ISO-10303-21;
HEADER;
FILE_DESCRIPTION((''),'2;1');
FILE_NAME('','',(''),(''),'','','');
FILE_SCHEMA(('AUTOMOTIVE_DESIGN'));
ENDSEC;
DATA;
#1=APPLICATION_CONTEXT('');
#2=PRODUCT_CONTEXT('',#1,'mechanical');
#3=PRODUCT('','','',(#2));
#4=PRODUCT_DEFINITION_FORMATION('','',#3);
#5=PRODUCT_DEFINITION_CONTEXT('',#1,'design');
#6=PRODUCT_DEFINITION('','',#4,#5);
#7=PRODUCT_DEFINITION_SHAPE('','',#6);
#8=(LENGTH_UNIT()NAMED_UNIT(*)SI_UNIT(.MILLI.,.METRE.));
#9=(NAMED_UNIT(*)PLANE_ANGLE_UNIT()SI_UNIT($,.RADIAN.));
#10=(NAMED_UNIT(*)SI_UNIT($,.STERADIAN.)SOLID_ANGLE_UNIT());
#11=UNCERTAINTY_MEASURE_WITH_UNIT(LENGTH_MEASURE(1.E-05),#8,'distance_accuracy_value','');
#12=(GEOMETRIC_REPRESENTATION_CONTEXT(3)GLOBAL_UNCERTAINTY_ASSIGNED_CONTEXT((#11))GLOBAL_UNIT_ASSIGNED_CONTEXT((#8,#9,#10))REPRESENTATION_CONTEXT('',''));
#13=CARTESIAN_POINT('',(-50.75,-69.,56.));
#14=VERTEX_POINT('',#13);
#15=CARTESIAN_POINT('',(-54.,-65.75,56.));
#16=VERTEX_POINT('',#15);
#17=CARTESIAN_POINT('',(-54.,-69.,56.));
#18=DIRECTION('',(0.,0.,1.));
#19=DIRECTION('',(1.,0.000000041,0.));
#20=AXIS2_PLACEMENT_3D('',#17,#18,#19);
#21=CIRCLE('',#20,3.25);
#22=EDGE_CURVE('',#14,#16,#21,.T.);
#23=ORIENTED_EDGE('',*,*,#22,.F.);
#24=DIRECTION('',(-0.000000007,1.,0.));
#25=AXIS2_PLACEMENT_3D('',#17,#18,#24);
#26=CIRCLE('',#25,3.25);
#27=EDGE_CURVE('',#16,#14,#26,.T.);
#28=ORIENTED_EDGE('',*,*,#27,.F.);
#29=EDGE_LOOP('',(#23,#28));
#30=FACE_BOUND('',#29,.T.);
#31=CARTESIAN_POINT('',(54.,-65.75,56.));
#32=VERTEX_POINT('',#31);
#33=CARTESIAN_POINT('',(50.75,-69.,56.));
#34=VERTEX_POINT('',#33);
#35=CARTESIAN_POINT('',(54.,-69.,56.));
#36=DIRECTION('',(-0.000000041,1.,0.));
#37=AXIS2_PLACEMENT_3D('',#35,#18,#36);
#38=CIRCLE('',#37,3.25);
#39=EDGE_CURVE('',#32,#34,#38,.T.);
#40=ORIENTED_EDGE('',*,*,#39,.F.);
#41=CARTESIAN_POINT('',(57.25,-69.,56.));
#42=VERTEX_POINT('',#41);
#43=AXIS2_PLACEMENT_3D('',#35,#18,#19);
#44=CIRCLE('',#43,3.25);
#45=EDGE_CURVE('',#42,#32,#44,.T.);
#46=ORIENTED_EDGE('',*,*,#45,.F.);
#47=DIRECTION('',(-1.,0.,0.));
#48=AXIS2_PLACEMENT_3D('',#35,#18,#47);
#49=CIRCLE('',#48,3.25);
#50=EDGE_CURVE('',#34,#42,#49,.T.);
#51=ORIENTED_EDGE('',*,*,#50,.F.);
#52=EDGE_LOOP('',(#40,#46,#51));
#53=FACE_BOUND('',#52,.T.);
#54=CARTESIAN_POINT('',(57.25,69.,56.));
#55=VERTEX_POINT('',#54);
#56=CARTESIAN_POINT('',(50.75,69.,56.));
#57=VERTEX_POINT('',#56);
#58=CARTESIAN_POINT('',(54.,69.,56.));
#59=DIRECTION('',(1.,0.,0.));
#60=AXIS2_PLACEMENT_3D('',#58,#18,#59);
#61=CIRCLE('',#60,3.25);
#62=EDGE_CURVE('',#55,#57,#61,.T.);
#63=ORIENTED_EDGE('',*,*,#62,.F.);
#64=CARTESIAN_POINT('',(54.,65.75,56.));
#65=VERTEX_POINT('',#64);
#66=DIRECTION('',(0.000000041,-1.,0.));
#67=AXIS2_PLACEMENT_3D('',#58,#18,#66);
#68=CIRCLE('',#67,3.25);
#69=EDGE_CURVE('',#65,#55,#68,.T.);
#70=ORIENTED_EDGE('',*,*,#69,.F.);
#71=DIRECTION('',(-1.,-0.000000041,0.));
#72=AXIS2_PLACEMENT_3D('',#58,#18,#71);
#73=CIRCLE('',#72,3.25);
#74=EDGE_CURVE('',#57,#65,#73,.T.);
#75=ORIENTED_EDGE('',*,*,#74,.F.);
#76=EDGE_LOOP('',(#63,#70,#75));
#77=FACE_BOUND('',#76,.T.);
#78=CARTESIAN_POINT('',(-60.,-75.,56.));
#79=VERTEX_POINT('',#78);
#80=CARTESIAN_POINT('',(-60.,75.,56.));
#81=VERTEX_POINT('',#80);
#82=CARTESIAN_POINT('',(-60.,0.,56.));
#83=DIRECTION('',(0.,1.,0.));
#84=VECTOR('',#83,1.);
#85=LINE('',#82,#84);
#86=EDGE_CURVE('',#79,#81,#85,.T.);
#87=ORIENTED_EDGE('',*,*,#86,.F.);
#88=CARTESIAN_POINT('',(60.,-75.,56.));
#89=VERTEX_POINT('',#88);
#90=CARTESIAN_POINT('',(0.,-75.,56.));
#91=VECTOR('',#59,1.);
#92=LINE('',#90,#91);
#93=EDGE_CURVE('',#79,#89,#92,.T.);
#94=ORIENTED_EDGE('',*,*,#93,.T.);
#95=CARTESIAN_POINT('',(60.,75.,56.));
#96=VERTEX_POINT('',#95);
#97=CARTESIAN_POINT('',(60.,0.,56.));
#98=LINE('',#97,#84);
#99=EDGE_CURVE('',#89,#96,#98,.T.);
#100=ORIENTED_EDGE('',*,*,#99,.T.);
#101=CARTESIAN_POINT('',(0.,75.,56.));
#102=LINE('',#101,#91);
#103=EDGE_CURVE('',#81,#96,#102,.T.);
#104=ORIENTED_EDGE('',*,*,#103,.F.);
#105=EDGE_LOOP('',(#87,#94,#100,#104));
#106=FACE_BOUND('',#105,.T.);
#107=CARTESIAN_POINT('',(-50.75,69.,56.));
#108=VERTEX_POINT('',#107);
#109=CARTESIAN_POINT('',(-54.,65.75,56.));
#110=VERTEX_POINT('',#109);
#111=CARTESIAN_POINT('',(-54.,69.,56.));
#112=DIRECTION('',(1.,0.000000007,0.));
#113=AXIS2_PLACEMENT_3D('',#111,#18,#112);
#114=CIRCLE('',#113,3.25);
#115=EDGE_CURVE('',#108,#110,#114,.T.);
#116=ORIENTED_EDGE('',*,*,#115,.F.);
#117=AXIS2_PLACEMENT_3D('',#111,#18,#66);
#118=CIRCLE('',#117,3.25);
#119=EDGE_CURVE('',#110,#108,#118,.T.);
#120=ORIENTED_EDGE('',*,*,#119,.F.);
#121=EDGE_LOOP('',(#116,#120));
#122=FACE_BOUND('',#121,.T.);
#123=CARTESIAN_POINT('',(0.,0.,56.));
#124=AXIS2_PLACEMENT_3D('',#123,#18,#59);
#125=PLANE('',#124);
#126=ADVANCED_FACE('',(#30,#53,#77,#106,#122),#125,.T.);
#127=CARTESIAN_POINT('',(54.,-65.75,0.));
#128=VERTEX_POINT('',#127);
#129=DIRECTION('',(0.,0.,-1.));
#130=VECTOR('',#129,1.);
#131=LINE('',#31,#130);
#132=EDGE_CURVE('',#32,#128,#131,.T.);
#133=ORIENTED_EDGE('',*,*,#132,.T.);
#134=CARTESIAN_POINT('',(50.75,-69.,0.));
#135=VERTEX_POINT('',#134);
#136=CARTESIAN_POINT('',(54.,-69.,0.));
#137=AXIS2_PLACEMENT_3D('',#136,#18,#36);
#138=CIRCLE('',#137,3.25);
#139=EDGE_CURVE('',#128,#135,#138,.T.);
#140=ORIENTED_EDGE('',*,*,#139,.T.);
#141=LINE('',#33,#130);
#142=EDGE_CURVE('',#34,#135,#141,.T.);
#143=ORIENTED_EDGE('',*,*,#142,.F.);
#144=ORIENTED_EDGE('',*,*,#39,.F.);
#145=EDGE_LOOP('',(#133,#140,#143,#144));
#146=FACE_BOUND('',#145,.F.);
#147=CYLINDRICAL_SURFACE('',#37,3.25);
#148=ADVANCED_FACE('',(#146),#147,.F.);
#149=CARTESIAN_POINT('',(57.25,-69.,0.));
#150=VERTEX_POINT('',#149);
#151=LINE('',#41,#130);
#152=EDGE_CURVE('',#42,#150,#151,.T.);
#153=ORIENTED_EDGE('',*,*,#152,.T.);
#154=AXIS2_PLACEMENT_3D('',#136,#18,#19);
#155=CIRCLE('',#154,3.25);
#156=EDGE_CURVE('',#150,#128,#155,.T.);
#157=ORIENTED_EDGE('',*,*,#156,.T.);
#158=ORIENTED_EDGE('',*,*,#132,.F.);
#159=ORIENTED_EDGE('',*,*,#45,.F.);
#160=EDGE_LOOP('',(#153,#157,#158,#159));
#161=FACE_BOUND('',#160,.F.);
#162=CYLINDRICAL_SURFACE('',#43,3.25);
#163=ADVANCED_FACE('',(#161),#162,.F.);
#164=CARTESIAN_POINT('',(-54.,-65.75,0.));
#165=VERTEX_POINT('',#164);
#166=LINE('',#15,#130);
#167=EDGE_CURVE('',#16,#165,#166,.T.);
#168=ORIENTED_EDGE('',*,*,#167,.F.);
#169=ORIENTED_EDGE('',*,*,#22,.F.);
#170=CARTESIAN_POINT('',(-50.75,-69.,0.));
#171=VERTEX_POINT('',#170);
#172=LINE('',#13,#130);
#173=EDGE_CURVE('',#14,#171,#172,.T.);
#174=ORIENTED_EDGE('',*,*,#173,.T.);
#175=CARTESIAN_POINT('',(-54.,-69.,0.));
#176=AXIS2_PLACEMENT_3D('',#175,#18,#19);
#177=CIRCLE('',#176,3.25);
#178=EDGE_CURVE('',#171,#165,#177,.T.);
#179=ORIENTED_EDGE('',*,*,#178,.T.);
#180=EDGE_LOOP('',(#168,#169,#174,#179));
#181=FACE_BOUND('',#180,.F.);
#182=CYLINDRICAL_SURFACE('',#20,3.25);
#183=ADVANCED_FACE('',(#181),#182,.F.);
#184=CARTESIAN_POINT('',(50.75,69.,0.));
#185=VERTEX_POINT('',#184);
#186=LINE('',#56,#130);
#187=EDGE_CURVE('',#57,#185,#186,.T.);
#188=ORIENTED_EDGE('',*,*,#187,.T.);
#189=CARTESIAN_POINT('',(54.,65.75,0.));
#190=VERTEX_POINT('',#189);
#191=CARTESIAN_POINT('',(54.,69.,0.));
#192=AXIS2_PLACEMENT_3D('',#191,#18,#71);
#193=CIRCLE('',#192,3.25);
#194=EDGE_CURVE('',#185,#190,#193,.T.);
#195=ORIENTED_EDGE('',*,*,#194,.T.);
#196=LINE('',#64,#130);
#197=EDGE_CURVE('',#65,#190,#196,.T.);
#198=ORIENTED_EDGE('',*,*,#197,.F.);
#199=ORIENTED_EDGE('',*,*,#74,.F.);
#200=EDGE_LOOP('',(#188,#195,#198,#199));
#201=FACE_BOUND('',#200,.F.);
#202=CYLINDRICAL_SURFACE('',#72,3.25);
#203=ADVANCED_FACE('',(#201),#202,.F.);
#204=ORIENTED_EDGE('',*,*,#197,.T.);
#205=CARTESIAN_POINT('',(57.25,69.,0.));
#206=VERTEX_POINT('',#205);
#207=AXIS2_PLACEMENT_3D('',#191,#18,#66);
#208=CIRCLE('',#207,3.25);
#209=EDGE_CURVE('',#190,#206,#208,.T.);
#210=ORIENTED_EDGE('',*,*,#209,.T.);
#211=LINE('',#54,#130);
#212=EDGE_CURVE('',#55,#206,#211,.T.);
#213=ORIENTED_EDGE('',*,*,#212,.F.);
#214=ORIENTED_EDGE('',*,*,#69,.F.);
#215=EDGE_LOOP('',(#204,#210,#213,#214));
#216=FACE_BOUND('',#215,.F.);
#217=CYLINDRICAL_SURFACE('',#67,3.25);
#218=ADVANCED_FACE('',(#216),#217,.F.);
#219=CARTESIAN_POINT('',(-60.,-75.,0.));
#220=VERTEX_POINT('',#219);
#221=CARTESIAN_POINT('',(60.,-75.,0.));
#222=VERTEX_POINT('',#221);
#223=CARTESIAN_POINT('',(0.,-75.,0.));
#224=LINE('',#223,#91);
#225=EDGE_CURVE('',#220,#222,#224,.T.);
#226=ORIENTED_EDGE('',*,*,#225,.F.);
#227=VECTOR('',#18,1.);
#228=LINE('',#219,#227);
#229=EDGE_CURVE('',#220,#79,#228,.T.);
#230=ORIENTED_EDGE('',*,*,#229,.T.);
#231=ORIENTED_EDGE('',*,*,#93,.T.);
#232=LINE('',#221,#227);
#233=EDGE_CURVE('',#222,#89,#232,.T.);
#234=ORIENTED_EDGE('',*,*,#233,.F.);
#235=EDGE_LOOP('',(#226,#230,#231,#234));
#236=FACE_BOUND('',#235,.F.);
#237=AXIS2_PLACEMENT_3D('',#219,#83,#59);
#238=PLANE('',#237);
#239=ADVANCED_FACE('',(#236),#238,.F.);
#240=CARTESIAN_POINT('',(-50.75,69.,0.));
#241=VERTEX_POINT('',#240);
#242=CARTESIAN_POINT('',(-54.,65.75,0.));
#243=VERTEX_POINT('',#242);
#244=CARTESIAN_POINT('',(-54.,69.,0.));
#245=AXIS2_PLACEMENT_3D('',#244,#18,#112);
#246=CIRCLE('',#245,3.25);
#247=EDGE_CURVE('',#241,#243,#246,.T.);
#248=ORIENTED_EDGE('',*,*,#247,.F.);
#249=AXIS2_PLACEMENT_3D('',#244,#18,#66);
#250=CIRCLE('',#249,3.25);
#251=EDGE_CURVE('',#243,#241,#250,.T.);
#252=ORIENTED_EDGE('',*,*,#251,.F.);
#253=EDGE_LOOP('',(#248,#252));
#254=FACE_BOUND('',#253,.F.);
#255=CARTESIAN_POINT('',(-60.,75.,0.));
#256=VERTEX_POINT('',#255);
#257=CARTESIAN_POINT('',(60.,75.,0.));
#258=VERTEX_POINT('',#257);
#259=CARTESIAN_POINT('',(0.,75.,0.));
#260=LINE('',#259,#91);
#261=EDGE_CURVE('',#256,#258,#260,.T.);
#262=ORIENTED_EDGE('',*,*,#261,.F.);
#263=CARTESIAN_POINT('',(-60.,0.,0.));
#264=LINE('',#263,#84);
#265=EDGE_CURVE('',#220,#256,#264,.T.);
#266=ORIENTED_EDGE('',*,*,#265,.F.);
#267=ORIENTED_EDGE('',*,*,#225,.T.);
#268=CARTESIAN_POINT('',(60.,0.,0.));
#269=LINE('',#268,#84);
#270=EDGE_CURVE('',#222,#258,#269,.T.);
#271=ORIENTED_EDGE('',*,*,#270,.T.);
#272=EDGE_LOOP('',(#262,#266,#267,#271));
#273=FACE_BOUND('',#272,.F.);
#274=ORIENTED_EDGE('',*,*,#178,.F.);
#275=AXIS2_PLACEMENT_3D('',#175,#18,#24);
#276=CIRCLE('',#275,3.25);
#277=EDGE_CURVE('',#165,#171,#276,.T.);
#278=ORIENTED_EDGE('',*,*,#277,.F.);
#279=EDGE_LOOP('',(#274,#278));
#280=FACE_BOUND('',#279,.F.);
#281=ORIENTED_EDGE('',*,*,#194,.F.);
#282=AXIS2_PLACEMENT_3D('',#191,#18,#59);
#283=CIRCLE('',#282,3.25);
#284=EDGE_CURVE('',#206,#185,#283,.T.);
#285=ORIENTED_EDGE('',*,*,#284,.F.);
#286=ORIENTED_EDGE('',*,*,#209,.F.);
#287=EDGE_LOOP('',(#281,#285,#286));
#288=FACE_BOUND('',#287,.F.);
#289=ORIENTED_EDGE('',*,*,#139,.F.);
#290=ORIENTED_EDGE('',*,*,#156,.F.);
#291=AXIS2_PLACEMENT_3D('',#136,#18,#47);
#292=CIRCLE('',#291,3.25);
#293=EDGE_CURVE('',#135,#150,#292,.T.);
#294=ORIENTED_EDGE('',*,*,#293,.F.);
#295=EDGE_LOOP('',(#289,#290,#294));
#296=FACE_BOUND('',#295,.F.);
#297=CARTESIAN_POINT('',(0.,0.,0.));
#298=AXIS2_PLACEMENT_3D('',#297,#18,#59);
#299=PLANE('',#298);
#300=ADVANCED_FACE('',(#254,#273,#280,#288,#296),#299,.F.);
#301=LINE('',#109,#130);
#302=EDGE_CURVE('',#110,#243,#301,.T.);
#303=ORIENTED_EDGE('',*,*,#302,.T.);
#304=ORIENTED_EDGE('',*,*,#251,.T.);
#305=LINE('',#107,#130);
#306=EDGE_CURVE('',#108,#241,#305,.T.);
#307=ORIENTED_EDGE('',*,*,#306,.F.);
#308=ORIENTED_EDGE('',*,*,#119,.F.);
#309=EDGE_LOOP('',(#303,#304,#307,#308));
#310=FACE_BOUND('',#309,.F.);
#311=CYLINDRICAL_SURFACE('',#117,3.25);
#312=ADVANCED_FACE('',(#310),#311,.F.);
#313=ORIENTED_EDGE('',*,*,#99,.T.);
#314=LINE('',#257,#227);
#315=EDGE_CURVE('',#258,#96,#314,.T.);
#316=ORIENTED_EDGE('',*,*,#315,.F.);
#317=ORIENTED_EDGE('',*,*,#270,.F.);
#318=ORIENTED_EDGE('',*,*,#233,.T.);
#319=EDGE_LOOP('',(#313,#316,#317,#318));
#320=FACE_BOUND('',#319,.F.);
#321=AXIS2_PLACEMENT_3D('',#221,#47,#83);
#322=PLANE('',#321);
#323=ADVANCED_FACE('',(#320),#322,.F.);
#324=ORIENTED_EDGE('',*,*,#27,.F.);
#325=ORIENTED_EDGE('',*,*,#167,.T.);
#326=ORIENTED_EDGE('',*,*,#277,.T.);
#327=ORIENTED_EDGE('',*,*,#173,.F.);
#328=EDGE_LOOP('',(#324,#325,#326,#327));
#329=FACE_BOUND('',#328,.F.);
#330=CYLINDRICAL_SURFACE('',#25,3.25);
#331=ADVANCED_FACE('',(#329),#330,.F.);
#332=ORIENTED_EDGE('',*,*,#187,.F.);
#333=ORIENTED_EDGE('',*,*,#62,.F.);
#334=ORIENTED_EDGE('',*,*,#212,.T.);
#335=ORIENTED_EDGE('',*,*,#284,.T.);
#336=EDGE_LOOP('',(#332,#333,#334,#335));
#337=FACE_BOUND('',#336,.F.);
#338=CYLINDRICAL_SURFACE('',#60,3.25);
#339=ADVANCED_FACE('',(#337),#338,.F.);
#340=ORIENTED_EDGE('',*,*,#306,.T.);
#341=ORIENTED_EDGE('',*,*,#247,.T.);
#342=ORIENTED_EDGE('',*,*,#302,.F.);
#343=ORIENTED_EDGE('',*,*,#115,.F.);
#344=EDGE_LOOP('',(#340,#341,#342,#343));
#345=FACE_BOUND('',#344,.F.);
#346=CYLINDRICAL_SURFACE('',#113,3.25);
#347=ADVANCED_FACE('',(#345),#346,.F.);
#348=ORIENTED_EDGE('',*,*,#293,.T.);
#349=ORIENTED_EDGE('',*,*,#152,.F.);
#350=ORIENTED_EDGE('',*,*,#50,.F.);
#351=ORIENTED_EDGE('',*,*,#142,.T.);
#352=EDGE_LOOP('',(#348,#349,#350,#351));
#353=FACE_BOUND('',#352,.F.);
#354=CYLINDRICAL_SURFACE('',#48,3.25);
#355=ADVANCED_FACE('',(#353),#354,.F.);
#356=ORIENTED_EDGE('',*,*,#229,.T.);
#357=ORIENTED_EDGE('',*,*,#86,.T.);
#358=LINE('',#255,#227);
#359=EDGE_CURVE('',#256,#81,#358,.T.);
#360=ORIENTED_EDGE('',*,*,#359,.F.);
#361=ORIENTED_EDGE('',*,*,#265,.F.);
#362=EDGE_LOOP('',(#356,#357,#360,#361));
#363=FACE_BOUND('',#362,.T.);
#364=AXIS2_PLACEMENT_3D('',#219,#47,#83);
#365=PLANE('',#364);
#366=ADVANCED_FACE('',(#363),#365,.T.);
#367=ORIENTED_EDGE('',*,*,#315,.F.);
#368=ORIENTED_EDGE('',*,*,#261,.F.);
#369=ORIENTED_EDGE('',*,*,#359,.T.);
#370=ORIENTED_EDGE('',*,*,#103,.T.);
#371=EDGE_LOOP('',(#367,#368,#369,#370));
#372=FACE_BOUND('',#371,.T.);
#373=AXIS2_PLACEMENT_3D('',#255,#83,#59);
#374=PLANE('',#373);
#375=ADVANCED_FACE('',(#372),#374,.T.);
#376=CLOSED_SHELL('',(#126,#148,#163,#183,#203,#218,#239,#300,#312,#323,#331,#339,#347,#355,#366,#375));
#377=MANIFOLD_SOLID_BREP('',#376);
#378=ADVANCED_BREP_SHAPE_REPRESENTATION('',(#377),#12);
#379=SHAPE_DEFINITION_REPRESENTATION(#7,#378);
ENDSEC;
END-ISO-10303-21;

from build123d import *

# Parameters (mm, degrees)
F0_W     = 120
F0_H     = 150
F1_DEPTH = 56
F3_DEPTH = 67.5


with BuildPart() as f1:
    # F0 (on Top) → F1 (new body)
    with BuildSketch(Plane.XY):
        Rectangle(F0_W, F0_H)
    extrude(amount=F1_DEPTH)

    # F2 (on face) → F3 (cut)
    with BuildSketch(Plane.XY.offset(56)):
        with BuildLine():
            Line((-54, 65.75), (-54, 69))
            Line((-54, 69), (-50.75, 69))
            ThreePointArc((-50.75, 69), (-56.298097, 71.298097), (-54, 65.75))
        make_face()
        with BuildLine():
            Line((-50.75, 69), (-54, 69))
            Line((-54, 69), (-54, 65.75))
            ThreePointArc((-54, 65.75), (-51.701903, 66.701903), (-50.75, 69))
        make_face()
        with BuildLine():
            ThreePointArc((57.25, 69), (54, 72.25), (50.75, 69))
            Line((50.75, 69), (54, 69))
            Line((54, 69), (54, 65.75))
            ThreePointArc((54, 65.75), (56.298097, 66.701903), (57.25, 69))
        make_face()
        with BuildLine():
            Line((54, 69), (50.75, 69))
            ThreePointArc((50.75, 69), (51.701903, 66.701903), (54, 65.75))
            Line((54, 65.75), (54, 69))
        make_face()
        with BuildLine():
            Line((-54, -69), (-54, -65.75))
            ThreePointArc((-54, -65.75), (-56.298097, -71.298097), (-50.75, -69))
            Line((-50.75, -69), (-54, -69))
        make_face()
        with BuildLine():
            ThreePointArc((-50.75, -69), (-51.701903, -66.701903), (-54, -65.75))
            Line((-54, -65.75), (-54, -69))
            Line((-54, -69), (-50.75, -69))
        make_face()
        with BuildLine():
            ThreePointArc((57.25, -69), (56.298097, -66.701903), (54, -65.75))
            Line((54, -65.75), (54, -69))
            Line((54, -69), (50.75, -69))
            ThreePointArc((50.75, -69), (54, -72.25), (57.25, -69))
        make_face()
        with BuildLine():
            Line((54, -69), (54, -65.75))
            ThreePointArc((54, -65.75), (51.701903, -66.701903), (50.75, -69))
            Line((50.75, -69), (54, -69))
        make_face()
    extrude(amount=-F3_DEPTH, mode=Mode.SUBTRACT)


solid = f1.part
